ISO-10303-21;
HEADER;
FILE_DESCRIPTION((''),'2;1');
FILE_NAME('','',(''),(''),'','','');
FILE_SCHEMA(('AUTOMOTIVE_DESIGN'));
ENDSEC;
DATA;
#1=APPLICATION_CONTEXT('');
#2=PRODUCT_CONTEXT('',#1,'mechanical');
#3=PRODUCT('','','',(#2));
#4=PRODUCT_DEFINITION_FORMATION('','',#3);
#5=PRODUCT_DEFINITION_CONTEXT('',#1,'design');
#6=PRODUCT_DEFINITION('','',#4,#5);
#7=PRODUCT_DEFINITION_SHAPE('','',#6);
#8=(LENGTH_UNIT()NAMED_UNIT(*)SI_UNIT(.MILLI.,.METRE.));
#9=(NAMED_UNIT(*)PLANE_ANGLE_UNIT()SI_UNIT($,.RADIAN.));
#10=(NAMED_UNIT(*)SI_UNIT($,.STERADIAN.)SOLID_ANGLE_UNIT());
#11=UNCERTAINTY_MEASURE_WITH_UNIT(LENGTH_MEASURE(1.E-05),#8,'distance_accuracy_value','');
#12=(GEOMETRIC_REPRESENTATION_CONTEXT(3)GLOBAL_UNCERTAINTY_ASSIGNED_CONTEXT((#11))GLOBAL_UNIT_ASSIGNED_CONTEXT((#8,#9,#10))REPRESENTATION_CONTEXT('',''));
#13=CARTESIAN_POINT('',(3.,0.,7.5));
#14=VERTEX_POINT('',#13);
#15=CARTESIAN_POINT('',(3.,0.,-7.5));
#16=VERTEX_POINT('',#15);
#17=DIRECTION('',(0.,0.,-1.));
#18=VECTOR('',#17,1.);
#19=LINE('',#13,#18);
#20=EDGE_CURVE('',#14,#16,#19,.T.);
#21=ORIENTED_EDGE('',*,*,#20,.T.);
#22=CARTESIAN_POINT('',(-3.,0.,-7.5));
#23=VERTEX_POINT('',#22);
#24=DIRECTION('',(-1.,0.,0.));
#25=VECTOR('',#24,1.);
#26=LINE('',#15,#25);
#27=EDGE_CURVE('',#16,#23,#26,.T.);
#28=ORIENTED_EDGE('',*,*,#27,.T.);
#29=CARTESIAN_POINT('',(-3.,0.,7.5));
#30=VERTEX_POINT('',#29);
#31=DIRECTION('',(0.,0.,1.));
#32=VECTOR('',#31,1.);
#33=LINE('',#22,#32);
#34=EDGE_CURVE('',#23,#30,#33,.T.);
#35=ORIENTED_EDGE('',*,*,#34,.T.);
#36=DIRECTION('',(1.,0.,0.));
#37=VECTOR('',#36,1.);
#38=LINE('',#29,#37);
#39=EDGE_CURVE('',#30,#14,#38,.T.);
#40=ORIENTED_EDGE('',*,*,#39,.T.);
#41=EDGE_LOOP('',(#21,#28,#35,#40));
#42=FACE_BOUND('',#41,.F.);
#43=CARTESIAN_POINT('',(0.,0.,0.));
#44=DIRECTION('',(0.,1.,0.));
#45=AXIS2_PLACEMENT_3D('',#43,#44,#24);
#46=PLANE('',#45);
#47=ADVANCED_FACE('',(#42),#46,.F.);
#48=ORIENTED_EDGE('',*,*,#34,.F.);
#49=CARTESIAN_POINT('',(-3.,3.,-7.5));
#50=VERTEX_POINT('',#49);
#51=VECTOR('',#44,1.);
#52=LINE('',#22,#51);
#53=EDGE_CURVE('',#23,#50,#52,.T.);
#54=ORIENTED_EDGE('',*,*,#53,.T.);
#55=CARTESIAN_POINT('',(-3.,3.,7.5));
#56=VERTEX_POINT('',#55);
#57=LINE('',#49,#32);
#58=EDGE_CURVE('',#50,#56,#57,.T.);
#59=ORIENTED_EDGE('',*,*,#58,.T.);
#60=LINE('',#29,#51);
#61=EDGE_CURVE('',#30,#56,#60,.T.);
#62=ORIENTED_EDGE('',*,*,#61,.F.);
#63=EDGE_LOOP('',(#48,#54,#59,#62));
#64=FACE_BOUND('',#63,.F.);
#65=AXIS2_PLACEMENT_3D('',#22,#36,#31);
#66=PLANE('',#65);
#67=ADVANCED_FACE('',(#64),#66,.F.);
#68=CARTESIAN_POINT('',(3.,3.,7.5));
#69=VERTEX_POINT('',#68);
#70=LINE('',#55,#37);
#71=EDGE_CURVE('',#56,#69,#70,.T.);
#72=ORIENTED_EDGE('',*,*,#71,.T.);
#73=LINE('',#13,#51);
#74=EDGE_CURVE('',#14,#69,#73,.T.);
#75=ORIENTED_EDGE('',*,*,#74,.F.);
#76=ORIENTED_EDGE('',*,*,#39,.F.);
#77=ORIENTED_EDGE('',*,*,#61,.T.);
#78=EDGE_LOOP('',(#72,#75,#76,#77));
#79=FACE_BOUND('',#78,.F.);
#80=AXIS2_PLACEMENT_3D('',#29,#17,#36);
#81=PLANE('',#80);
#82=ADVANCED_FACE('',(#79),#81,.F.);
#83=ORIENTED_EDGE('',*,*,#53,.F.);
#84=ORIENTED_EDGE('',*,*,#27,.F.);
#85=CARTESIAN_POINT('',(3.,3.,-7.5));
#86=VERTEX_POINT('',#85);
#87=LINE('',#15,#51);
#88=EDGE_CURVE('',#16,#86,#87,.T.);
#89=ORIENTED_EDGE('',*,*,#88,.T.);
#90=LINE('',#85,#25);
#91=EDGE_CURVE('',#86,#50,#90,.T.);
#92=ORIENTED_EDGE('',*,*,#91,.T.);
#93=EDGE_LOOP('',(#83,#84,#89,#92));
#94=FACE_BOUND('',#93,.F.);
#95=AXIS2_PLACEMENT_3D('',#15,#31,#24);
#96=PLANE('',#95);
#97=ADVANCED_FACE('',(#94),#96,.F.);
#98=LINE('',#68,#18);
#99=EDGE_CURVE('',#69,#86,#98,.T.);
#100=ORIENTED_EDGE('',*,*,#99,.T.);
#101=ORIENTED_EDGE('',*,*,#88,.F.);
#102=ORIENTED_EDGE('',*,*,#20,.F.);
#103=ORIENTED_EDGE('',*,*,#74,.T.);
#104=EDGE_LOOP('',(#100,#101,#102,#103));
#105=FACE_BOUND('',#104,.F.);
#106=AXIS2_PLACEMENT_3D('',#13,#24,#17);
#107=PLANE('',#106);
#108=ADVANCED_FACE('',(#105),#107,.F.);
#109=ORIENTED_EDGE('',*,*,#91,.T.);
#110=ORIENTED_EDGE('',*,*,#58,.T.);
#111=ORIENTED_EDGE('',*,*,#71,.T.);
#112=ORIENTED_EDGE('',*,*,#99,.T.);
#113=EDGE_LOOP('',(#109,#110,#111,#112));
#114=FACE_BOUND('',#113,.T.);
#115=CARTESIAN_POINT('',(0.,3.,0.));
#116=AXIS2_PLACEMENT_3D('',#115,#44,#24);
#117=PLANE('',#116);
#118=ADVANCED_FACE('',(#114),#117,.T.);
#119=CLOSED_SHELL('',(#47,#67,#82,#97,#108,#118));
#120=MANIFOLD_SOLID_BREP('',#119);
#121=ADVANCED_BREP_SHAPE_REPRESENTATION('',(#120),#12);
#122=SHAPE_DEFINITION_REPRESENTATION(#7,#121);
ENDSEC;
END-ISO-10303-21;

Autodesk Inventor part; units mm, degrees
ref_plane "YZ Plane" through (0, 0, 0) normal (1, 0, 0) x (0, 1, 0)
ref_plane "XZ Plane" through (0, 0, 0) normal (0, 1, 0) x (-1, 0, 0)
ref_plane "XY Plane" through (0, 0, 0) normal (0, 0, 1) x (1, 0, 0)
sketch "Sketch1" plane through (0, 0, 0) normal (0, 1, 0) x (-1, 0, 0)
  line L0 (3, 7.5) -> (-3, 7.5)
  line L1 (-3, 7.5) -> (-3, -7.5)
  line L2 (-3, -7.5) -> (3, -7.5)
  line L3 (3, -7.5) -> (3, 7.5)
  point P0 (0, 0)
  dimension "d0" = 15
  dimension "d1" = 6
  dimension "d2" = 3
  dimension "d3" = 7.5
extrude "Extrusion1" add sketch "Sketch1" along normal blind 3
equation "\"d2\" = 0.5 * d1"
equation "\"d3\" = 0.5 * d0"
properties part number "Shaker" material "Aluminum 6061, Welded"
